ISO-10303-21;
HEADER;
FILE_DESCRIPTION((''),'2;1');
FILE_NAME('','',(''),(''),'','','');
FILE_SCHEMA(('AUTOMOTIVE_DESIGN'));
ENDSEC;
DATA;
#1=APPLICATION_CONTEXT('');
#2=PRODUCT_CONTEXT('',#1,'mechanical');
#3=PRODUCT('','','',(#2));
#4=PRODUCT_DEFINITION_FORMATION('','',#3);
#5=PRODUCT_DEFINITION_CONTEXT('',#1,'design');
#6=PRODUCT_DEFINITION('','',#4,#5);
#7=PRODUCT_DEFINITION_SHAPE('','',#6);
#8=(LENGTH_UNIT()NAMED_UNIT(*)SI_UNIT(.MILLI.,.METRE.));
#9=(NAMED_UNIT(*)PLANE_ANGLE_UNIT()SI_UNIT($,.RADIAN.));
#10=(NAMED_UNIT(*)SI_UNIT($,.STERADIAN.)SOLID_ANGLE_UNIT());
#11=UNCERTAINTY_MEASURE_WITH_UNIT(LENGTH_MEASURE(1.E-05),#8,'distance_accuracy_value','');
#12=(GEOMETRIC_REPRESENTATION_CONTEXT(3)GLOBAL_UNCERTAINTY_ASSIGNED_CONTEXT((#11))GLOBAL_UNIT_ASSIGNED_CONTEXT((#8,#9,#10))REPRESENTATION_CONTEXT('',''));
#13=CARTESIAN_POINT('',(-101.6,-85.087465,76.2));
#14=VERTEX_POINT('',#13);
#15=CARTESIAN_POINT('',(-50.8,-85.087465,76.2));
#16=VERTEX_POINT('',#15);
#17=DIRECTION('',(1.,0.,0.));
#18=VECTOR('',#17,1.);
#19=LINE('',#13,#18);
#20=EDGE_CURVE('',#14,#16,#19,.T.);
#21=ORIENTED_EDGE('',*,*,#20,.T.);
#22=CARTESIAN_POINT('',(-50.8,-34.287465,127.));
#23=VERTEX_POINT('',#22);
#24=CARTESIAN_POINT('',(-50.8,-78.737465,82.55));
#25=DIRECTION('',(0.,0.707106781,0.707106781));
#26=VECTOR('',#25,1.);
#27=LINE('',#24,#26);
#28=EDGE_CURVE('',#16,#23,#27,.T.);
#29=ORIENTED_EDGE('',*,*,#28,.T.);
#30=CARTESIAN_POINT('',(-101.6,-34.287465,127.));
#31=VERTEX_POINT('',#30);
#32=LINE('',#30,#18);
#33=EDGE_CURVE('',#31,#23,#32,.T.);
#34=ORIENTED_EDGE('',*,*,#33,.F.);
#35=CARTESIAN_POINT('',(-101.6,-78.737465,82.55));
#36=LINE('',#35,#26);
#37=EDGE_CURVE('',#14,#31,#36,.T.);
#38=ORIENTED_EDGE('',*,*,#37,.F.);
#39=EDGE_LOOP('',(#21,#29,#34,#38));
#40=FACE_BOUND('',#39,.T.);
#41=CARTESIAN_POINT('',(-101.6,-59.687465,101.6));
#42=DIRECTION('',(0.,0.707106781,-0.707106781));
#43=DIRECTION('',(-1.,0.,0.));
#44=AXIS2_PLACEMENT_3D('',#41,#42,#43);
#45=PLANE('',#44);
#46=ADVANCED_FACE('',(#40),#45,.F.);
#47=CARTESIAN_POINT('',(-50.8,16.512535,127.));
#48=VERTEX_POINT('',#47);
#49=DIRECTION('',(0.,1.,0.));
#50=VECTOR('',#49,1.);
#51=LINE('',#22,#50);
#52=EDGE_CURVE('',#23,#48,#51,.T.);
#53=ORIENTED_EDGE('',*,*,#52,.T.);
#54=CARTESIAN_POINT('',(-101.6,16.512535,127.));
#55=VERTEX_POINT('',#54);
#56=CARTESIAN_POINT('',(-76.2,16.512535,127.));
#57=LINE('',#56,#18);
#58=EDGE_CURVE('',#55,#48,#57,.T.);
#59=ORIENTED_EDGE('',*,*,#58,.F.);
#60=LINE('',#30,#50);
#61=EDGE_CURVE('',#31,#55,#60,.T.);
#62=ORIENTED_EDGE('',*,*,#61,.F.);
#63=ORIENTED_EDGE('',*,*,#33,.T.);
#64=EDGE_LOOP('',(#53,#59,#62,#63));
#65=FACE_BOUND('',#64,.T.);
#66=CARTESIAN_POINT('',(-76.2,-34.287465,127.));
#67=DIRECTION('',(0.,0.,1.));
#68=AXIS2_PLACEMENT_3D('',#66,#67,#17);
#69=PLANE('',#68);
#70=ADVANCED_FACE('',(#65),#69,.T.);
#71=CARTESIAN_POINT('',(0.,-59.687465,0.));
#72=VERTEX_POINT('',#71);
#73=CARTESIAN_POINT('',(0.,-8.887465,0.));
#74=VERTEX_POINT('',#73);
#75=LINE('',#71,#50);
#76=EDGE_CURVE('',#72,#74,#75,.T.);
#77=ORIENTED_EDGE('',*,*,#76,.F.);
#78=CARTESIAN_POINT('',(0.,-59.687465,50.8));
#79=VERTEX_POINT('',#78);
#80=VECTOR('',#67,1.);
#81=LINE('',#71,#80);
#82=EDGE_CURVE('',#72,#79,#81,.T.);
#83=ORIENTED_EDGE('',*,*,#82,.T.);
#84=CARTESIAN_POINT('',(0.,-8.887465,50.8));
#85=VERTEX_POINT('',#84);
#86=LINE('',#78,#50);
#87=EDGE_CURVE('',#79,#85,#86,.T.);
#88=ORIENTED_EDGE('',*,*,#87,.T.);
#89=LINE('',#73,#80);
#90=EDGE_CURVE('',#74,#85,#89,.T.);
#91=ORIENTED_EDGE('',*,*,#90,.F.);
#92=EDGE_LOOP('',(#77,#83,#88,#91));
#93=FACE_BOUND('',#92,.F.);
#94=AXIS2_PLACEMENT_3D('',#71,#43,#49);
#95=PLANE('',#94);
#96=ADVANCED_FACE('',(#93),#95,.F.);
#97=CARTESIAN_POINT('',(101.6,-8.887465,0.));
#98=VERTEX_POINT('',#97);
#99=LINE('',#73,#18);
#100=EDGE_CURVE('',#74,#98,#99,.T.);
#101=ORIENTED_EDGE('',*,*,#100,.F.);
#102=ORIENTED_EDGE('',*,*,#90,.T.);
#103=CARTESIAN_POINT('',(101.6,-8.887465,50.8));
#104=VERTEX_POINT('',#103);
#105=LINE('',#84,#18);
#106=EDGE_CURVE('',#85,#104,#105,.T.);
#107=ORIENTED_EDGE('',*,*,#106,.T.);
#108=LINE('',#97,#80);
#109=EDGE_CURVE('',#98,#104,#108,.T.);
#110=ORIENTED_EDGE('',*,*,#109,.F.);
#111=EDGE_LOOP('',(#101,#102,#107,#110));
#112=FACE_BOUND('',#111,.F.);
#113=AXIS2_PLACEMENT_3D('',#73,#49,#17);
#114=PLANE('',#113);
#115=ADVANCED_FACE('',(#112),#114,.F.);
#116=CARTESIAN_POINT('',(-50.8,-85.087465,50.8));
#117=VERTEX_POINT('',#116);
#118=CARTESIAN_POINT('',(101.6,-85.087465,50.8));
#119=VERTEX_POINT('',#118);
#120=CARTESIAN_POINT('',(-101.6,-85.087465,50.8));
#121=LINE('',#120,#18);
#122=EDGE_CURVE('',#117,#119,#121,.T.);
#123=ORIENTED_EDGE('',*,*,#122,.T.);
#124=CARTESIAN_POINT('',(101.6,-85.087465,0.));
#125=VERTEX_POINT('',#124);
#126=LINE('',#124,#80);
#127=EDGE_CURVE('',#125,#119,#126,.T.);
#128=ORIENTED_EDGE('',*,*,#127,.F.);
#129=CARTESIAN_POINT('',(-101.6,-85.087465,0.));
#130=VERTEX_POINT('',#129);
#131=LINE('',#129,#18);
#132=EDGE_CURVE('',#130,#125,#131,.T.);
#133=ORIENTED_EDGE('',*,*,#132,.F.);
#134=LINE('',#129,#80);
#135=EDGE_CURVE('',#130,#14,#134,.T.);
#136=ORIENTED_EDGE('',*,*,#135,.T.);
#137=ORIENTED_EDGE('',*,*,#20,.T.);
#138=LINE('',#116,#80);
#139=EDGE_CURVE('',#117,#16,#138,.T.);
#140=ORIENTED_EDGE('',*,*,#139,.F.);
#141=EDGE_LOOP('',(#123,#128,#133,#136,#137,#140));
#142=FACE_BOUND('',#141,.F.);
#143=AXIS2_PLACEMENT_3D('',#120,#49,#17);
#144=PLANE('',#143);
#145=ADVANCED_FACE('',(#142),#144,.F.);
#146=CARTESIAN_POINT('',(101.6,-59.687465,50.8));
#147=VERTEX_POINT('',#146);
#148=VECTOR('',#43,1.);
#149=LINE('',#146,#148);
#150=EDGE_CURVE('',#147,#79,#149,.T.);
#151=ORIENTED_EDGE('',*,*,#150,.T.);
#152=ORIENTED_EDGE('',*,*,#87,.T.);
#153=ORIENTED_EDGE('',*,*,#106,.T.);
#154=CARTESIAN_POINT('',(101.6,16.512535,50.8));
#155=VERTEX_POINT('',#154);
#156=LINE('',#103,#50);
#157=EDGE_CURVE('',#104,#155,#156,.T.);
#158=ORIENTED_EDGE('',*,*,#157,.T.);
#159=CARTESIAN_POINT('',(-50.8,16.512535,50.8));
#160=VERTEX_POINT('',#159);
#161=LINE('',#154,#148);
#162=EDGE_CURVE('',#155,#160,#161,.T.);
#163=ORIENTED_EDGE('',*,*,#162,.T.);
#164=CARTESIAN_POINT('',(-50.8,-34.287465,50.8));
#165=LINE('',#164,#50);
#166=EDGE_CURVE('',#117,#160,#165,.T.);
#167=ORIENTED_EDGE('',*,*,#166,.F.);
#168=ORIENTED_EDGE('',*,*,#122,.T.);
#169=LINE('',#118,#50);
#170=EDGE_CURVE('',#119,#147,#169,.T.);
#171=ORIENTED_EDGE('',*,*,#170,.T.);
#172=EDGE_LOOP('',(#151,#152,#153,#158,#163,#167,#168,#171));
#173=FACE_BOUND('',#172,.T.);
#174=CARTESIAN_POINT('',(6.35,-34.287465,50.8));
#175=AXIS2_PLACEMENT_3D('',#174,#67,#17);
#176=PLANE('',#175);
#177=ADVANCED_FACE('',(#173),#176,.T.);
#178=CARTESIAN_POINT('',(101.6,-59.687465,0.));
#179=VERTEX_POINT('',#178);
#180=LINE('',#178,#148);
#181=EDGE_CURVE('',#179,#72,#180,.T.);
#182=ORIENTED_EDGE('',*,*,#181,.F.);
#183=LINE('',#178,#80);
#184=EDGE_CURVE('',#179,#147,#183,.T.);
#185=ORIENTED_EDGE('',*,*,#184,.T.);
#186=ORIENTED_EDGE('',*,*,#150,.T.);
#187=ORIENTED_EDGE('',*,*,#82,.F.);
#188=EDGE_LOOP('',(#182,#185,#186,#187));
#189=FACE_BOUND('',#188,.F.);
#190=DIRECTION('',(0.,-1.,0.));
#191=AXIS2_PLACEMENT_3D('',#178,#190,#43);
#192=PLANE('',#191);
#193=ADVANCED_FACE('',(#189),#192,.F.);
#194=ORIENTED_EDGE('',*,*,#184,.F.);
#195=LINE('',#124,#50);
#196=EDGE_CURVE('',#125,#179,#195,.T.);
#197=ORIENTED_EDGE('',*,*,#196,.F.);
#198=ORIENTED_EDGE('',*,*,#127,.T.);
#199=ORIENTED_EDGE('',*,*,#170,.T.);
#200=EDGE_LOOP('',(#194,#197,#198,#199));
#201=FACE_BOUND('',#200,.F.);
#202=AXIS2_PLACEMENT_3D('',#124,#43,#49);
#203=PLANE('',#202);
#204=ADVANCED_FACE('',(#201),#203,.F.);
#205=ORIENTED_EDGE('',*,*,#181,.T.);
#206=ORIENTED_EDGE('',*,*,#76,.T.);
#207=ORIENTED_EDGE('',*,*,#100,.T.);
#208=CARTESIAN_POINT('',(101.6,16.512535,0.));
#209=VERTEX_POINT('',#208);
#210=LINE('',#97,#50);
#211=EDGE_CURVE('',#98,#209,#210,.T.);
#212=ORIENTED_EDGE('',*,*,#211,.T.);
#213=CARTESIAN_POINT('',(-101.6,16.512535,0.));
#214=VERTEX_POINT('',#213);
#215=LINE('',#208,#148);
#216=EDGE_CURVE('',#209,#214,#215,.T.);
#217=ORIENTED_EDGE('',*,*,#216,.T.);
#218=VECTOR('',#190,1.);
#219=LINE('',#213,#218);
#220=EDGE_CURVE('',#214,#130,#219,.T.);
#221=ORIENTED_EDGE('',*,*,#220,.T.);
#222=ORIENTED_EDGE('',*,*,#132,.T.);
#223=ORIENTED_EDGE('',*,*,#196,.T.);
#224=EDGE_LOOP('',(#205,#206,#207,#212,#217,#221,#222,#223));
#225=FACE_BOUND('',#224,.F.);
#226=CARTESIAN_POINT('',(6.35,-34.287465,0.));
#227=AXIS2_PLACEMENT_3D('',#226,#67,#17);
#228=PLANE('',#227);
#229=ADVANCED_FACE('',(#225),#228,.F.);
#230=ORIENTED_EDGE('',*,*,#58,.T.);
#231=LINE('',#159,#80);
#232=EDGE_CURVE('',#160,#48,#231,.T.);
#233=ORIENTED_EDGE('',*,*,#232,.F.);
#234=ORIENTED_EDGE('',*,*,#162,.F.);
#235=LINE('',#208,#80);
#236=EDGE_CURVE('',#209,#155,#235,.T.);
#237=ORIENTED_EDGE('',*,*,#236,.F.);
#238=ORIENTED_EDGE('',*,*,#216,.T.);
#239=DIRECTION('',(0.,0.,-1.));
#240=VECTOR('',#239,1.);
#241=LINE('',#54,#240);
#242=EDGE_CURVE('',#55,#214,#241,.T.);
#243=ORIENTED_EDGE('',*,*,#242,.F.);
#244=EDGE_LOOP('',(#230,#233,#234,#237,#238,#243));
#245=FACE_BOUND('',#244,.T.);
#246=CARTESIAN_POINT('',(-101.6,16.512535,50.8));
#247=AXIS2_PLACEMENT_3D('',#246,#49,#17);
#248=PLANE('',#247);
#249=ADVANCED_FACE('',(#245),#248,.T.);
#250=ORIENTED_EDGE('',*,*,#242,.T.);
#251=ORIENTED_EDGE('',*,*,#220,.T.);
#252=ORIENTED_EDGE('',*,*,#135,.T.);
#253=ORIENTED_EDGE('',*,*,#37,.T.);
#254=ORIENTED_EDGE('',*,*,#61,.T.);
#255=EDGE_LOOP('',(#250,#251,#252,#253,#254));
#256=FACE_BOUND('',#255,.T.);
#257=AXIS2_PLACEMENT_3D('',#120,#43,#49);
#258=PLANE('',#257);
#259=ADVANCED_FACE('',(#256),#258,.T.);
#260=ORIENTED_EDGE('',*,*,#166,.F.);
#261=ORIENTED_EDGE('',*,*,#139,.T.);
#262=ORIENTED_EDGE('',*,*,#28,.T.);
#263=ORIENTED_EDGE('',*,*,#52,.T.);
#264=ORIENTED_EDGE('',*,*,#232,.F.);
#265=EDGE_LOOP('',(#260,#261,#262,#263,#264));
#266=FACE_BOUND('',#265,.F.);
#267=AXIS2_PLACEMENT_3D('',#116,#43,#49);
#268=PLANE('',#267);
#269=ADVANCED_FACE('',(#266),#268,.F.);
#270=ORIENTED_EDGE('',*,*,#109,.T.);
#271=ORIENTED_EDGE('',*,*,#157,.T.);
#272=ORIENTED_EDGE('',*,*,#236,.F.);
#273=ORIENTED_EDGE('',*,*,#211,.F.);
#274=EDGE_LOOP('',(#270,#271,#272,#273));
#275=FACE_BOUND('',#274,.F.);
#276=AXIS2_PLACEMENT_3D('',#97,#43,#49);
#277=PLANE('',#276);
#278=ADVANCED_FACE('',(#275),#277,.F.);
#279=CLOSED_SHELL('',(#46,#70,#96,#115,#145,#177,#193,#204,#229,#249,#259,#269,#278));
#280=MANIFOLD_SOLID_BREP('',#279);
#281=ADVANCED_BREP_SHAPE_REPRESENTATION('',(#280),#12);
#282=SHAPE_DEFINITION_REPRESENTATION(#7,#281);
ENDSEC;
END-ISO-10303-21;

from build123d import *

# Parameters (mm, degrees)
F1_DEPTH = 50.8
F2_W     = 50.8
F2_H     = 101.6
F3_DEPTH = 76.2
F4_SIZE  = 50.8


with BuildPart() as f1:
    # F0 (on Top) → F1 (new body)
    with BuildSketch(Plane.XY):
        Polygon((101.6, 16.512535), (-101.6, 16.512535), (-101.6, -85.087465), (101.6, -85.087465), (101.6, -59.687465), (0, -59.687465), (0, -8.887465), (101.6, -8.887465), align=None)
    extrude(amount=F1_DEPTH)

    # F2 (on face) → F3 (join)
    with BuildSketch(Plane.XY.offset(50.8)):
        with Locations((-76.2, -34.287465)):
            Rectangle(F2_W, F2_H)
    extrude(amount=F3_DEPTH)

    # F4
    f4_edges = [f1.edges().sort_by_distance(p)[0] for p in [
        (-76.2, -85.087465, 127),
    ]]
    chamfer(f4_edges, length=F4_SIZE)


solid = f1.part
